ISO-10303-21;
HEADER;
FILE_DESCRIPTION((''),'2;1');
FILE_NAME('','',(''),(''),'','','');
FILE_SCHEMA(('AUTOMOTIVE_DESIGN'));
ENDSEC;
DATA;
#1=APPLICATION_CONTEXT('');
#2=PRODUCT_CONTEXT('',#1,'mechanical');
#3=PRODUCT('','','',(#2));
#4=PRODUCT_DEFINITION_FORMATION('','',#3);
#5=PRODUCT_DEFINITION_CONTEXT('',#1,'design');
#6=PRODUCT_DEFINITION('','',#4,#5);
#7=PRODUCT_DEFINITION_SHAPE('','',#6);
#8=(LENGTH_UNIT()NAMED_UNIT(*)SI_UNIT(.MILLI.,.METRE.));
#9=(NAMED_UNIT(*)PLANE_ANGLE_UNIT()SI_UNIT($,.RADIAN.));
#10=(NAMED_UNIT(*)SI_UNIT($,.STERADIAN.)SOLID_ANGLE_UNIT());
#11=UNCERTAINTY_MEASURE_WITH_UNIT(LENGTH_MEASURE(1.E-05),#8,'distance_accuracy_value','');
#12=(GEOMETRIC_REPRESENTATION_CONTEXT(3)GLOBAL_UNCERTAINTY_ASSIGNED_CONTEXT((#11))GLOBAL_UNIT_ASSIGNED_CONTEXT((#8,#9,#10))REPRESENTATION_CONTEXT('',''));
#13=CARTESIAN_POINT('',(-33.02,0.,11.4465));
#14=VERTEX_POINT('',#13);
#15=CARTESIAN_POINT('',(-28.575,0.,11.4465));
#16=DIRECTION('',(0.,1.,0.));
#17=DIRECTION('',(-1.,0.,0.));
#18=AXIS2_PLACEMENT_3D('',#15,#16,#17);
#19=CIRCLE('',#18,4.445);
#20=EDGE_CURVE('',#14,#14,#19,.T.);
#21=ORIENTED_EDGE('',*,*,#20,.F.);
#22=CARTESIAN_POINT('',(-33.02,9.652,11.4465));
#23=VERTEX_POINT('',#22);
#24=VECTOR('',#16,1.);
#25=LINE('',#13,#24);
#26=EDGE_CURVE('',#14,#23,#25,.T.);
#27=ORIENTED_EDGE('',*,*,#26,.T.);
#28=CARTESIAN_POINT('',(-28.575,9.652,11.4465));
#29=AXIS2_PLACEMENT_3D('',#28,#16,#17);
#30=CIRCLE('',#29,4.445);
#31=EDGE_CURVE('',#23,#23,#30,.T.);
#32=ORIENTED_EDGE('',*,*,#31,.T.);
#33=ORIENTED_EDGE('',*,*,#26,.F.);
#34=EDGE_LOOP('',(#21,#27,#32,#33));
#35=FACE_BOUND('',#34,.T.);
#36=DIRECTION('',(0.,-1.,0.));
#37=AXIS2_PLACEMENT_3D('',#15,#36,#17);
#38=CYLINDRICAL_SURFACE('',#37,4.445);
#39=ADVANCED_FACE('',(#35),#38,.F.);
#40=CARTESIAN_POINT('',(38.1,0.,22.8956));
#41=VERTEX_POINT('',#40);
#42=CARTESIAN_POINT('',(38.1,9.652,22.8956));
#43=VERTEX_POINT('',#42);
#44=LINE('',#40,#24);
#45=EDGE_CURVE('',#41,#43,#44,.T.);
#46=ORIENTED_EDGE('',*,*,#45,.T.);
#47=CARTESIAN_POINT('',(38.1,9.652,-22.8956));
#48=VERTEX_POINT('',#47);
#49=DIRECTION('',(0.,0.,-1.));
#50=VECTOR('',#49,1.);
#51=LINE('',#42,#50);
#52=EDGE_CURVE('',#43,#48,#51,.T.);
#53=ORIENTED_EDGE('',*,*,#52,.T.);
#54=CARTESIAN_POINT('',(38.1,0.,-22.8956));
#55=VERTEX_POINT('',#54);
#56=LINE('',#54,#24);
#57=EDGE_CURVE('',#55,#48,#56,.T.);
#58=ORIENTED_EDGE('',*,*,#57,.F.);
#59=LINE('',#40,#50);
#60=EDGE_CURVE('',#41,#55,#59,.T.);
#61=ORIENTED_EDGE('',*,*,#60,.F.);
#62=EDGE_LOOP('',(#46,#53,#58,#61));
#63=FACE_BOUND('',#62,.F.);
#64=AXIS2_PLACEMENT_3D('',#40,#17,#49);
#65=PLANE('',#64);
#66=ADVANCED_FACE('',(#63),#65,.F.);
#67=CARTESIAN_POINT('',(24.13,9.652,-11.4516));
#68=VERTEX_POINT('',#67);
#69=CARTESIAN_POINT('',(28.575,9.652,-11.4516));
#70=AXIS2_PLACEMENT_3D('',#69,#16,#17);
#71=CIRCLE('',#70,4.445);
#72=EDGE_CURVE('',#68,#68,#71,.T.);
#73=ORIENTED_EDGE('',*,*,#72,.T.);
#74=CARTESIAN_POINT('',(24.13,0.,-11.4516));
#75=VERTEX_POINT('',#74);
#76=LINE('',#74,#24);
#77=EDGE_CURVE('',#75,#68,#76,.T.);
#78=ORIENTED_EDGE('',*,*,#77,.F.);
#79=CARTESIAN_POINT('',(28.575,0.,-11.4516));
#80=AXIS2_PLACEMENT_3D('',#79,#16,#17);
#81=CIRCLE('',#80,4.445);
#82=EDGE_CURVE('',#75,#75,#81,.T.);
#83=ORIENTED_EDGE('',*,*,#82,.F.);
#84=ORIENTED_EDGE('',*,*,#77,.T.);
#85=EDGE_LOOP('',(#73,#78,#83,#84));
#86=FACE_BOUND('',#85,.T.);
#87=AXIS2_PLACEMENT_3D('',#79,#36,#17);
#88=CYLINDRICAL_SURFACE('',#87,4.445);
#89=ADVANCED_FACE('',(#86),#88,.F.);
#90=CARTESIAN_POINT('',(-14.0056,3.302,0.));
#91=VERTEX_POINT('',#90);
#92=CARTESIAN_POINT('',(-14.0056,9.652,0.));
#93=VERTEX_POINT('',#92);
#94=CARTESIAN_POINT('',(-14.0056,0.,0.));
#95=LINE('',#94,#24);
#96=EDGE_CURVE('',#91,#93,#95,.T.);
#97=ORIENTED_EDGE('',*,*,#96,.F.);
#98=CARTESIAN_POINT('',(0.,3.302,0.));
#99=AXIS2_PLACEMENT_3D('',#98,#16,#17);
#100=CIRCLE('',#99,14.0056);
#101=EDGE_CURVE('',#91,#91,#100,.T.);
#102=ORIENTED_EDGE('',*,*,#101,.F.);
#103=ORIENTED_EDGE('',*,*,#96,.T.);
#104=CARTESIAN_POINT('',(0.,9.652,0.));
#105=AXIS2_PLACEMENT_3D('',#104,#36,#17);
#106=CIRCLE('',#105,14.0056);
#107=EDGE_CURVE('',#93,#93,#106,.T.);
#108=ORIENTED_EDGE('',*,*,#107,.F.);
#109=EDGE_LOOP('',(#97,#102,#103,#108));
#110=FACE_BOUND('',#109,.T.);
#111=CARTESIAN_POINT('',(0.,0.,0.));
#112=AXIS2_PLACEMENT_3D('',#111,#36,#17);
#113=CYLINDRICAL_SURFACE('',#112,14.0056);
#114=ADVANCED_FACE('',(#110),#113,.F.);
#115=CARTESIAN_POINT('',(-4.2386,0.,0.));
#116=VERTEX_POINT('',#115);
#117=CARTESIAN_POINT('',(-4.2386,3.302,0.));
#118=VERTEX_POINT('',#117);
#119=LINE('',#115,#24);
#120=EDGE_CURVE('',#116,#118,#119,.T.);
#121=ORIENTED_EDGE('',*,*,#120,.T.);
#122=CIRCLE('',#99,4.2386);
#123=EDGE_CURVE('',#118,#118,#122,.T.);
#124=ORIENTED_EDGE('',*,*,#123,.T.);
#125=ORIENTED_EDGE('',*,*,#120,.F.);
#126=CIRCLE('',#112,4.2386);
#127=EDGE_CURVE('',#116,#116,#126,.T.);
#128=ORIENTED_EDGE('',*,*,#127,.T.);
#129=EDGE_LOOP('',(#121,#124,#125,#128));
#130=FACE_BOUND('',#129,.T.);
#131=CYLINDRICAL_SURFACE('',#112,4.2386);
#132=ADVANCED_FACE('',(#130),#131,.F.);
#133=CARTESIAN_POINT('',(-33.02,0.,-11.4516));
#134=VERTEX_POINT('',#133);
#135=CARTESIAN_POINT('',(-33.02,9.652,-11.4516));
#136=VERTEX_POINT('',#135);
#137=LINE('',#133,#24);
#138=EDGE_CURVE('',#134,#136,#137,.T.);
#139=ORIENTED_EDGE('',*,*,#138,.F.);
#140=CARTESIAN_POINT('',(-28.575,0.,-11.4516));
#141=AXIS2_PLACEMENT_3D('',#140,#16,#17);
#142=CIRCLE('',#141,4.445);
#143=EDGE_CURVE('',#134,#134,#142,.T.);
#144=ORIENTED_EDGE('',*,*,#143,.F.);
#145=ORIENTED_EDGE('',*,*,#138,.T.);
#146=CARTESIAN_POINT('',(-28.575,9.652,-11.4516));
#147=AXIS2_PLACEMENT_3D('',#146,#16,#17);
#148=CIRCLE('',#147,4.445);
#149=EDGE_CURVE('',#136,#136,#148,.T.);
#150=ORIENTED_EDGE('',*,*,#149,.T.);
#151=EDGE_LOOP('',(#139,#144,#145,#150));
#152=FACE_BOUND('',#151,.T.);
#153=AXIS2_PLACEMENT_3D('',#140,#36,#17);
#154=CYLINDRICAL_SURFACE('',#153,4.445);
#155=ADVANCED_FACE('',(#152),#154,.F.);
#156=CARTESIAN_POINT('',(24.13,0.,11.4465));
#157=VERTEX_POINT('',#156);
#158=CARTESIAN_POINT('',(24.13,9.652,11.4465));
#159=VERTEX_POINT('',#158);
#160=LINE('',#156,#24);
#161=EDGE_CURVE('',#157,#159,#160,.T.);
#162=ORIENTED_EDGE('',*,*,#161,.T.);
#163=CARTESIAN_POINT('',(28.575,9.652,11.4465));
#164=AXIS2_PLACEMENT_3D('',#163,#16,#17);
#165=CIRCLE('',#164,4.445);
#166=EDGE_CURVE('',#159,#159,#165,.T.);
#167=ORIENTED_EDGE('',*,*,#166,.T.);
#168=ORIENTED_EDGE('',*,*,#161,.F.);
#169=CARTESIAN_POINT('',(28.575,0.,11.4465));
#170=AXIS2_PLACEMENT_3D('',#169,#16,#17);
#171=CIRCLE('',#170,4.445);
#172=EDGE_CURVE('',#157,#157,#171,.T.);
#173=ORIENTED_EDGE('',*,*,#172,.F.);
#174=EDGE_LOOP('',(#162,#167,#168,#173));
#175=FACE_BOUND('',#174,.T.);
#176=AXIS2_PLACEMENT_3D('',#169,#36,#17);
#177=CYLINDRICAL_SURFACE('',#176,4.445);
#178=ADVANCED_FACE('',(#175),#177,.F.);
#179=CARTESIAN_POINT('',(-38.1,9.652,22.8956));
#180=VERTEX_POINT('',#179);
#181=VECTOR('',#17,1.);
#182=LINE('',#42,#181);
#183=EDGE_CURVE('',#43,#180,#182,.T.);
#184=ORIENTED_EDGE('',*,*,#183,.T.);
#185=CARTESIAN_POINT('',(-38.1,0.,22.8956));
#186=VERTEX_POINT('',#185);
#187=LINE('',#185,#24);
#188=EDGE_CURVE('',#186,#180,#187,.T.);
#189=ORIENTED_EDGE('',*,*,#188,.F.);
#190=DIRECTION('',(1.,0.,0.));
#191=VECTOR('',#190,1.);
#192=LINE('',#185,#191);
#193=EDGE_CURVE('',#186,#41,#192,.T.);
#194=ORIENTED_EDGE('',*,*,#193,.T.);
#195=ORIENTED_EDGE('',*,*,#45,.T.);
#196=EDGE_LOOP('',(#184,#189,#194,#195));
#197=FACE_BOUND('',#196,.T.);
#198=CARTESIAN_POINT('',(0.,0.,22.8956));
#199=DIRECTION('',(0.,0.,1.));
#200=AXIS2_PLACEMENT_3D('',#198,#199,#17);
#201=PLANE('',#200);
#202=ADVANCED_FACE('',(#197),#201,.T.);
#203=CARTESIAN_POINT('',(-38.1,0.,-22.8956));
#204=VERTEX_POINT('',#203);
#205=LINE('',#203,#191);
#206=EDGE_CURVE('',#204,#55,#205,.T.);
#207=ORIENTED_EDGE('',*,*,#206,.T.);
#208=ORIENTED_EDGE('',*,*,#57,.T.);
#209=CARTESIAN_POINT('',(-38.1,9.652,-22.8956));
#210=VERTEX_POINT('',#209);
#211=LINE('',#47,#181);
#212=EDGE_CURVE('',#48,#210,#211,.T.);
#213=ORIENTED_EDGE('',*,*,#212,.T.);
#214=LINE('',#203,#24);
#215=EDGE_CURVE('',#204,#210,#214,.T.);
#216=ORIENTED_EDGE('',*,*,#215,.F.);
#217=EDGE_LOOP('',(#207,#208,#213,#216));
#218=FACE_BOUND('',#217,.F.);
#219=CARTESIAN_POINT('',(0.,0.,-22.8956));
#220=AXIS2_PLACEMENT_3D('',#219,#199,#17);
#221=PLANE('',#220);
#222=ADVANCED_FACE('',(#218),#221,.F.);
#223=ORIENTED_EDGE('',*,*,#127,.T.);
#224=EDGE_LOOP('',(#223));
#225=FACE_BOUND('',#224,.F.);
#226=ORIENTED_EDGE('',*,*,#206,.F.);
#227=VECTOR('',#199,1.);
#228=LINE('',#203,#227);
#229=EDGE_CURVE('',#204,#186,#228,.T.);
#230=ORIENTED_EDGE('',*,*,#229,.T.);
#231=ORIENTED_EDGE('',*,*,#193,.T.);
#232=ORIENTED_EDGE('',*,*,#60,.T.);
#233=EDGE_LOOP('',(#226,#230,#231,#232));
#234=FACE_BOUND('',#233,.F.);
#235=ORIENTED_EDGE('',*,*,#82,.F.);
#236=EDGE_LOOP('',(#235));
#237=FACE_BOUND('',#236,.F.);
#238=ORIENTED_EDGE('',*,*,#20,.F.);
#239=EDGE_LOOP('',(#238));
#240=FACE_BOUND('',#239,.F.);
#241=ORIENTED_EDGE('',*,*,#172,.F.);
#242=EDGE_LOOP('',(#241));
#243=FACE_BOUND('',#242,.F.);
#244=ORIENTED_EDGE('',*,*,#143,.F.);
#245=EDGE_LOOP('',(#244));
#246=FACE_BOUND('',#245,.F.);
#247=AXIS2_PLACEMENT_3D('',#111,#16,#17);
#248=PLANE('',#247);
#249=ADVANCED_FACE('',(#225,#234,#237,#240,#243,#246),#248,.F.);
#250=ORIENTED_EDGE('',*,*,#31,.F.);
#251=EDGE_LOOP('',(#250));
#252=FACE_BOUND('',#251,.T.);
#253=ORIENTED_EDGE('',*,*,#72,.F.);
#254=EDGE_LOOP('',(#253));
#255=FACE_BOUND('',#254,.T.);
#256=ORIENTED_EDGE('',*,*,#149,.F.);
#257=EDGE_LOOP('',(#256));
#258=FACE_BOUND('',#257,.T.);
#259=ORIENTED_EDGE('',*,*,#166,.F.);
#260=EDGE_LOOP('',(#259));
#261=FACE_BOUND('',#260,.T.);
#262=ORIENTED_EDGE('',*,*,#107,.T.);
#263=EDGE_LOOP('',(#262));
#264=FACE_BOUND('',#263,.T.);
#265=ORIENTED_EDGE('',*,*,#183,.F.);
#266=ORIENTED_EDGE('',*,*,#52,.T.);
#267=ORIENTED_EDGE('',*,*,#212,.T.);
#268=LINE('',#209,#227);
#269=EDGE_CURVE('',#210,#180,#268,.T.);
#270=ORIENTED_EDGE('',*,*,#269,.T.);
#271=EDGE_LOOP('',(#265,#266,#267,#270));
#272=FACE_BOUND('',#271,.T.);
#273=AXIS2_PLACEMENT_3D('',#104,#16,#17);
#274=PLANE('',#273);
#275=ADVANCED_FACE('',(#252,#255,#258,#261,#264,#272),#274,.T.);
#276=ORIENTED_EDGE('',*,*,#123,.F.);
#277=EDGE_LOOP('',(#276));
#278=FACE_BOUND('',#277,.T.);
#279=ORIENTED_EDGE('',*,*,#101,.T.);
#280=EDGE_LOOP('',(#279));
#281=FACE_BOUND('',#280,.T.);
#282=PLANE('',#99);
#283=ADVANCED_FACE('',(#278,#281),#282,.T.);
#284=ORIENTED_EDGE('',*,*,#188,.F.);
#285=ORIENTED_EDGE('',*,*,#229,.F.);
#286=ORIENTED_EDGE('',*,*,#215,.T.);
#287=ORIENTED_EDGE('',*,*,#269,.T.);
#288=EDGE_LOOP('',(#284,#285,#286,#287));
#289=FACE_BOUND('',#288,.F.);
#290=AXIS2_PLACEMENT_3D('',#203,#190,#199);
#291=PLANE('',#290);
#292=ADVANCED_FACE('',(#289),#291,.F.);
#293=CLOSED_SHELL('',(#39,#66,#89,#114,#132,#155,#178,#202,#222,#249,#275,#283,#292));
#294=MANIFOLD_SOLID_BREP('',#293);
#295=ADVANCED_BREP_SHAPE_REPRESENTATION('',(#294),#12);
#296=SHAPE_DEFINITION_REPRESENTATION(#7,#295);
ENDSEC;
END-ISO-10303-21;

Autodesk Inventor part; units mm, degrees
ref_plane "YZ Plane" through (0, 0, 0) normal (1, 0, 0) x (0, 1, 0)
ref_plane "XZ Plane" through (0, 0, 0) normal (0, 1, 0) x (-1, 0, 0)
ref_plane "XY Plane" through (0, 0, 0) normal (0, 0, 1) x (1, 0, 0)
sketch "Sketch1" plane through (0, 0, 0) normal (0, 1, 0) x (-1, 0, 0)
  circle A0 centre (0, 0) radius 4.2386
  circle A1 centre (0, 0) radius 14.0056
  line L0 (0, 0) -> (0, 22.8956)
  line L1 (0, 0) -> (0, -22.8956)
  line L2 (0, 22.8956) -> (38.1, 22.8956)
  line L3 (0, -22.8956) -> (-38.1, -22.8956)
  line L4 (38.1, 22.8956) -> (-38.1, 22.8956)
  line L5 (-38.1, 22.8956) -> (-38.1, -22.8956)
  line L6 (-38.1, -22.8956) -> (38.1, -22.8956)
  line L7 (38.1, -22.8956) -> (38.1, 22.8956)
  line L8 (19.05, 22.8956) -> (38.1, 22.8956)
  line L9 (38.1, 22.8956) -> (19.05, 22.8956)
  line L10 (19.05, -22.8956) -> (38.1, -22.8956)
  line L11 (38.1, -22.8956) -> (38.1, 22.8956)
  line L12 (38.1, 22.8956) -> (19.05, 22.8956)
  line L13 (19.05, 22.8956) -> (19.05, -22.8956)
  line L14 (38.1, 22.8956) -> (28.575, 22.8956)
  circle A2 centre (28.575, 11.4465) radius 4.445
  circle A3 centre (28.575, -11.4516) radius 4.445
  line L15 (-19.05, -22.8956) -> (-19.05, 22.8956)
  line L16 (-38.1, 22.8956) -> (-19.05, 22.8956)
  line L17 (-19.05, 22.8956) -> (-38.1, 22.8956)
  line L18 (-38.1, -22.8956) -> (-19.05, -22.8956)
  line L19 (-19.05, -22.8956) -> (-19.05, 22.8956)
  line L20 (-19.05, 22.8956) -> (-38.1, 22.8956)
  line L21 (-38.1, 22.8956) -> (-38.1, -22.8956)
  line L22 (-19.05, 22.8956) -> (-28.575, 22.8956)
  circle A4 centre (-28.575, 11.4465) radius 4.445
  circle A5 centre (-28.575, -11.4516) radius 4.445
  dimension "d0" = 8.4772
  dimension "d1" = 28.0111
  dimension "d11" = 22.8956
  dimension "d12" = 22.8956
  dimension "d13" = 38.1
  dimension "d14" = 38.1
  dimension "d15" = 45.7911
  dimension "d16" = 76.2
  dimension "d27" = 45.7911
  dimension "d28" = 19.05
  dimension "d29" = 19.05
  dimension "d30" = 9.525
  dimension "d31" = 8.89
  dimension "d32" = 45.7911
  dimension "d33" = 45.7911
  dimension "d34" = 19.05
  dimension "d35" = 19.05
  dimension "d36" = 9.525
  dimension "d37" = 8.89
sketch "Sketch2" plane through (0, 0, 0) normal (0, 1, 0) x (-1, 0, 0)
  circle A0 centre (0, 0) radius 4.2386
  circle A1 centre (0, 0) radius 14.0056
  line L0 (0, 0) -> (0, 22.8956)
  line L1 (0, 0) -> (0, -22.8956)
  line L2 (0, 22.8956) -> (38.1, 22.8956)
  line L3 (0, -22.8956) -> (-38.1, -22.8956)
  line L4 (38.1, 22.8956) -> (-38.1, 22.8956)
  line L5 (-38.1, 22.8956) -> (-38.1, -22.8956)
  line L6 (-38.1, -22.8956) -> (38.1, -22.8956)
  line L7 (38.1, -22.8956) -> (38.1, 22.8956)
  dimension "d17" = 8.4772
  dimension "d18" = 28.0111
  dimension "d19" = 22.8956
  dimension "d20" = 22.8956
  dimension "d21" = 38.1
  dimension "d22" = 38.1
  dimension "d23" = 45.7911
  dimension "d24" = 76.2
extrude "Extrusion2" add sketch "Sketch2" along normal blind 3.302 contours A0 L0 A1 L1 | A0 L1 A1 L0
extrude "Extrusion3" add sketch "Sketch1" along normal blind 9.652 contours L0 L2 L13 L6 L1 A1 | A1 L1 L3 L15 L4 L0 | L2 L7 L6 L13 | L15 L3 L5 L4
properties part number "bracket for drone"
